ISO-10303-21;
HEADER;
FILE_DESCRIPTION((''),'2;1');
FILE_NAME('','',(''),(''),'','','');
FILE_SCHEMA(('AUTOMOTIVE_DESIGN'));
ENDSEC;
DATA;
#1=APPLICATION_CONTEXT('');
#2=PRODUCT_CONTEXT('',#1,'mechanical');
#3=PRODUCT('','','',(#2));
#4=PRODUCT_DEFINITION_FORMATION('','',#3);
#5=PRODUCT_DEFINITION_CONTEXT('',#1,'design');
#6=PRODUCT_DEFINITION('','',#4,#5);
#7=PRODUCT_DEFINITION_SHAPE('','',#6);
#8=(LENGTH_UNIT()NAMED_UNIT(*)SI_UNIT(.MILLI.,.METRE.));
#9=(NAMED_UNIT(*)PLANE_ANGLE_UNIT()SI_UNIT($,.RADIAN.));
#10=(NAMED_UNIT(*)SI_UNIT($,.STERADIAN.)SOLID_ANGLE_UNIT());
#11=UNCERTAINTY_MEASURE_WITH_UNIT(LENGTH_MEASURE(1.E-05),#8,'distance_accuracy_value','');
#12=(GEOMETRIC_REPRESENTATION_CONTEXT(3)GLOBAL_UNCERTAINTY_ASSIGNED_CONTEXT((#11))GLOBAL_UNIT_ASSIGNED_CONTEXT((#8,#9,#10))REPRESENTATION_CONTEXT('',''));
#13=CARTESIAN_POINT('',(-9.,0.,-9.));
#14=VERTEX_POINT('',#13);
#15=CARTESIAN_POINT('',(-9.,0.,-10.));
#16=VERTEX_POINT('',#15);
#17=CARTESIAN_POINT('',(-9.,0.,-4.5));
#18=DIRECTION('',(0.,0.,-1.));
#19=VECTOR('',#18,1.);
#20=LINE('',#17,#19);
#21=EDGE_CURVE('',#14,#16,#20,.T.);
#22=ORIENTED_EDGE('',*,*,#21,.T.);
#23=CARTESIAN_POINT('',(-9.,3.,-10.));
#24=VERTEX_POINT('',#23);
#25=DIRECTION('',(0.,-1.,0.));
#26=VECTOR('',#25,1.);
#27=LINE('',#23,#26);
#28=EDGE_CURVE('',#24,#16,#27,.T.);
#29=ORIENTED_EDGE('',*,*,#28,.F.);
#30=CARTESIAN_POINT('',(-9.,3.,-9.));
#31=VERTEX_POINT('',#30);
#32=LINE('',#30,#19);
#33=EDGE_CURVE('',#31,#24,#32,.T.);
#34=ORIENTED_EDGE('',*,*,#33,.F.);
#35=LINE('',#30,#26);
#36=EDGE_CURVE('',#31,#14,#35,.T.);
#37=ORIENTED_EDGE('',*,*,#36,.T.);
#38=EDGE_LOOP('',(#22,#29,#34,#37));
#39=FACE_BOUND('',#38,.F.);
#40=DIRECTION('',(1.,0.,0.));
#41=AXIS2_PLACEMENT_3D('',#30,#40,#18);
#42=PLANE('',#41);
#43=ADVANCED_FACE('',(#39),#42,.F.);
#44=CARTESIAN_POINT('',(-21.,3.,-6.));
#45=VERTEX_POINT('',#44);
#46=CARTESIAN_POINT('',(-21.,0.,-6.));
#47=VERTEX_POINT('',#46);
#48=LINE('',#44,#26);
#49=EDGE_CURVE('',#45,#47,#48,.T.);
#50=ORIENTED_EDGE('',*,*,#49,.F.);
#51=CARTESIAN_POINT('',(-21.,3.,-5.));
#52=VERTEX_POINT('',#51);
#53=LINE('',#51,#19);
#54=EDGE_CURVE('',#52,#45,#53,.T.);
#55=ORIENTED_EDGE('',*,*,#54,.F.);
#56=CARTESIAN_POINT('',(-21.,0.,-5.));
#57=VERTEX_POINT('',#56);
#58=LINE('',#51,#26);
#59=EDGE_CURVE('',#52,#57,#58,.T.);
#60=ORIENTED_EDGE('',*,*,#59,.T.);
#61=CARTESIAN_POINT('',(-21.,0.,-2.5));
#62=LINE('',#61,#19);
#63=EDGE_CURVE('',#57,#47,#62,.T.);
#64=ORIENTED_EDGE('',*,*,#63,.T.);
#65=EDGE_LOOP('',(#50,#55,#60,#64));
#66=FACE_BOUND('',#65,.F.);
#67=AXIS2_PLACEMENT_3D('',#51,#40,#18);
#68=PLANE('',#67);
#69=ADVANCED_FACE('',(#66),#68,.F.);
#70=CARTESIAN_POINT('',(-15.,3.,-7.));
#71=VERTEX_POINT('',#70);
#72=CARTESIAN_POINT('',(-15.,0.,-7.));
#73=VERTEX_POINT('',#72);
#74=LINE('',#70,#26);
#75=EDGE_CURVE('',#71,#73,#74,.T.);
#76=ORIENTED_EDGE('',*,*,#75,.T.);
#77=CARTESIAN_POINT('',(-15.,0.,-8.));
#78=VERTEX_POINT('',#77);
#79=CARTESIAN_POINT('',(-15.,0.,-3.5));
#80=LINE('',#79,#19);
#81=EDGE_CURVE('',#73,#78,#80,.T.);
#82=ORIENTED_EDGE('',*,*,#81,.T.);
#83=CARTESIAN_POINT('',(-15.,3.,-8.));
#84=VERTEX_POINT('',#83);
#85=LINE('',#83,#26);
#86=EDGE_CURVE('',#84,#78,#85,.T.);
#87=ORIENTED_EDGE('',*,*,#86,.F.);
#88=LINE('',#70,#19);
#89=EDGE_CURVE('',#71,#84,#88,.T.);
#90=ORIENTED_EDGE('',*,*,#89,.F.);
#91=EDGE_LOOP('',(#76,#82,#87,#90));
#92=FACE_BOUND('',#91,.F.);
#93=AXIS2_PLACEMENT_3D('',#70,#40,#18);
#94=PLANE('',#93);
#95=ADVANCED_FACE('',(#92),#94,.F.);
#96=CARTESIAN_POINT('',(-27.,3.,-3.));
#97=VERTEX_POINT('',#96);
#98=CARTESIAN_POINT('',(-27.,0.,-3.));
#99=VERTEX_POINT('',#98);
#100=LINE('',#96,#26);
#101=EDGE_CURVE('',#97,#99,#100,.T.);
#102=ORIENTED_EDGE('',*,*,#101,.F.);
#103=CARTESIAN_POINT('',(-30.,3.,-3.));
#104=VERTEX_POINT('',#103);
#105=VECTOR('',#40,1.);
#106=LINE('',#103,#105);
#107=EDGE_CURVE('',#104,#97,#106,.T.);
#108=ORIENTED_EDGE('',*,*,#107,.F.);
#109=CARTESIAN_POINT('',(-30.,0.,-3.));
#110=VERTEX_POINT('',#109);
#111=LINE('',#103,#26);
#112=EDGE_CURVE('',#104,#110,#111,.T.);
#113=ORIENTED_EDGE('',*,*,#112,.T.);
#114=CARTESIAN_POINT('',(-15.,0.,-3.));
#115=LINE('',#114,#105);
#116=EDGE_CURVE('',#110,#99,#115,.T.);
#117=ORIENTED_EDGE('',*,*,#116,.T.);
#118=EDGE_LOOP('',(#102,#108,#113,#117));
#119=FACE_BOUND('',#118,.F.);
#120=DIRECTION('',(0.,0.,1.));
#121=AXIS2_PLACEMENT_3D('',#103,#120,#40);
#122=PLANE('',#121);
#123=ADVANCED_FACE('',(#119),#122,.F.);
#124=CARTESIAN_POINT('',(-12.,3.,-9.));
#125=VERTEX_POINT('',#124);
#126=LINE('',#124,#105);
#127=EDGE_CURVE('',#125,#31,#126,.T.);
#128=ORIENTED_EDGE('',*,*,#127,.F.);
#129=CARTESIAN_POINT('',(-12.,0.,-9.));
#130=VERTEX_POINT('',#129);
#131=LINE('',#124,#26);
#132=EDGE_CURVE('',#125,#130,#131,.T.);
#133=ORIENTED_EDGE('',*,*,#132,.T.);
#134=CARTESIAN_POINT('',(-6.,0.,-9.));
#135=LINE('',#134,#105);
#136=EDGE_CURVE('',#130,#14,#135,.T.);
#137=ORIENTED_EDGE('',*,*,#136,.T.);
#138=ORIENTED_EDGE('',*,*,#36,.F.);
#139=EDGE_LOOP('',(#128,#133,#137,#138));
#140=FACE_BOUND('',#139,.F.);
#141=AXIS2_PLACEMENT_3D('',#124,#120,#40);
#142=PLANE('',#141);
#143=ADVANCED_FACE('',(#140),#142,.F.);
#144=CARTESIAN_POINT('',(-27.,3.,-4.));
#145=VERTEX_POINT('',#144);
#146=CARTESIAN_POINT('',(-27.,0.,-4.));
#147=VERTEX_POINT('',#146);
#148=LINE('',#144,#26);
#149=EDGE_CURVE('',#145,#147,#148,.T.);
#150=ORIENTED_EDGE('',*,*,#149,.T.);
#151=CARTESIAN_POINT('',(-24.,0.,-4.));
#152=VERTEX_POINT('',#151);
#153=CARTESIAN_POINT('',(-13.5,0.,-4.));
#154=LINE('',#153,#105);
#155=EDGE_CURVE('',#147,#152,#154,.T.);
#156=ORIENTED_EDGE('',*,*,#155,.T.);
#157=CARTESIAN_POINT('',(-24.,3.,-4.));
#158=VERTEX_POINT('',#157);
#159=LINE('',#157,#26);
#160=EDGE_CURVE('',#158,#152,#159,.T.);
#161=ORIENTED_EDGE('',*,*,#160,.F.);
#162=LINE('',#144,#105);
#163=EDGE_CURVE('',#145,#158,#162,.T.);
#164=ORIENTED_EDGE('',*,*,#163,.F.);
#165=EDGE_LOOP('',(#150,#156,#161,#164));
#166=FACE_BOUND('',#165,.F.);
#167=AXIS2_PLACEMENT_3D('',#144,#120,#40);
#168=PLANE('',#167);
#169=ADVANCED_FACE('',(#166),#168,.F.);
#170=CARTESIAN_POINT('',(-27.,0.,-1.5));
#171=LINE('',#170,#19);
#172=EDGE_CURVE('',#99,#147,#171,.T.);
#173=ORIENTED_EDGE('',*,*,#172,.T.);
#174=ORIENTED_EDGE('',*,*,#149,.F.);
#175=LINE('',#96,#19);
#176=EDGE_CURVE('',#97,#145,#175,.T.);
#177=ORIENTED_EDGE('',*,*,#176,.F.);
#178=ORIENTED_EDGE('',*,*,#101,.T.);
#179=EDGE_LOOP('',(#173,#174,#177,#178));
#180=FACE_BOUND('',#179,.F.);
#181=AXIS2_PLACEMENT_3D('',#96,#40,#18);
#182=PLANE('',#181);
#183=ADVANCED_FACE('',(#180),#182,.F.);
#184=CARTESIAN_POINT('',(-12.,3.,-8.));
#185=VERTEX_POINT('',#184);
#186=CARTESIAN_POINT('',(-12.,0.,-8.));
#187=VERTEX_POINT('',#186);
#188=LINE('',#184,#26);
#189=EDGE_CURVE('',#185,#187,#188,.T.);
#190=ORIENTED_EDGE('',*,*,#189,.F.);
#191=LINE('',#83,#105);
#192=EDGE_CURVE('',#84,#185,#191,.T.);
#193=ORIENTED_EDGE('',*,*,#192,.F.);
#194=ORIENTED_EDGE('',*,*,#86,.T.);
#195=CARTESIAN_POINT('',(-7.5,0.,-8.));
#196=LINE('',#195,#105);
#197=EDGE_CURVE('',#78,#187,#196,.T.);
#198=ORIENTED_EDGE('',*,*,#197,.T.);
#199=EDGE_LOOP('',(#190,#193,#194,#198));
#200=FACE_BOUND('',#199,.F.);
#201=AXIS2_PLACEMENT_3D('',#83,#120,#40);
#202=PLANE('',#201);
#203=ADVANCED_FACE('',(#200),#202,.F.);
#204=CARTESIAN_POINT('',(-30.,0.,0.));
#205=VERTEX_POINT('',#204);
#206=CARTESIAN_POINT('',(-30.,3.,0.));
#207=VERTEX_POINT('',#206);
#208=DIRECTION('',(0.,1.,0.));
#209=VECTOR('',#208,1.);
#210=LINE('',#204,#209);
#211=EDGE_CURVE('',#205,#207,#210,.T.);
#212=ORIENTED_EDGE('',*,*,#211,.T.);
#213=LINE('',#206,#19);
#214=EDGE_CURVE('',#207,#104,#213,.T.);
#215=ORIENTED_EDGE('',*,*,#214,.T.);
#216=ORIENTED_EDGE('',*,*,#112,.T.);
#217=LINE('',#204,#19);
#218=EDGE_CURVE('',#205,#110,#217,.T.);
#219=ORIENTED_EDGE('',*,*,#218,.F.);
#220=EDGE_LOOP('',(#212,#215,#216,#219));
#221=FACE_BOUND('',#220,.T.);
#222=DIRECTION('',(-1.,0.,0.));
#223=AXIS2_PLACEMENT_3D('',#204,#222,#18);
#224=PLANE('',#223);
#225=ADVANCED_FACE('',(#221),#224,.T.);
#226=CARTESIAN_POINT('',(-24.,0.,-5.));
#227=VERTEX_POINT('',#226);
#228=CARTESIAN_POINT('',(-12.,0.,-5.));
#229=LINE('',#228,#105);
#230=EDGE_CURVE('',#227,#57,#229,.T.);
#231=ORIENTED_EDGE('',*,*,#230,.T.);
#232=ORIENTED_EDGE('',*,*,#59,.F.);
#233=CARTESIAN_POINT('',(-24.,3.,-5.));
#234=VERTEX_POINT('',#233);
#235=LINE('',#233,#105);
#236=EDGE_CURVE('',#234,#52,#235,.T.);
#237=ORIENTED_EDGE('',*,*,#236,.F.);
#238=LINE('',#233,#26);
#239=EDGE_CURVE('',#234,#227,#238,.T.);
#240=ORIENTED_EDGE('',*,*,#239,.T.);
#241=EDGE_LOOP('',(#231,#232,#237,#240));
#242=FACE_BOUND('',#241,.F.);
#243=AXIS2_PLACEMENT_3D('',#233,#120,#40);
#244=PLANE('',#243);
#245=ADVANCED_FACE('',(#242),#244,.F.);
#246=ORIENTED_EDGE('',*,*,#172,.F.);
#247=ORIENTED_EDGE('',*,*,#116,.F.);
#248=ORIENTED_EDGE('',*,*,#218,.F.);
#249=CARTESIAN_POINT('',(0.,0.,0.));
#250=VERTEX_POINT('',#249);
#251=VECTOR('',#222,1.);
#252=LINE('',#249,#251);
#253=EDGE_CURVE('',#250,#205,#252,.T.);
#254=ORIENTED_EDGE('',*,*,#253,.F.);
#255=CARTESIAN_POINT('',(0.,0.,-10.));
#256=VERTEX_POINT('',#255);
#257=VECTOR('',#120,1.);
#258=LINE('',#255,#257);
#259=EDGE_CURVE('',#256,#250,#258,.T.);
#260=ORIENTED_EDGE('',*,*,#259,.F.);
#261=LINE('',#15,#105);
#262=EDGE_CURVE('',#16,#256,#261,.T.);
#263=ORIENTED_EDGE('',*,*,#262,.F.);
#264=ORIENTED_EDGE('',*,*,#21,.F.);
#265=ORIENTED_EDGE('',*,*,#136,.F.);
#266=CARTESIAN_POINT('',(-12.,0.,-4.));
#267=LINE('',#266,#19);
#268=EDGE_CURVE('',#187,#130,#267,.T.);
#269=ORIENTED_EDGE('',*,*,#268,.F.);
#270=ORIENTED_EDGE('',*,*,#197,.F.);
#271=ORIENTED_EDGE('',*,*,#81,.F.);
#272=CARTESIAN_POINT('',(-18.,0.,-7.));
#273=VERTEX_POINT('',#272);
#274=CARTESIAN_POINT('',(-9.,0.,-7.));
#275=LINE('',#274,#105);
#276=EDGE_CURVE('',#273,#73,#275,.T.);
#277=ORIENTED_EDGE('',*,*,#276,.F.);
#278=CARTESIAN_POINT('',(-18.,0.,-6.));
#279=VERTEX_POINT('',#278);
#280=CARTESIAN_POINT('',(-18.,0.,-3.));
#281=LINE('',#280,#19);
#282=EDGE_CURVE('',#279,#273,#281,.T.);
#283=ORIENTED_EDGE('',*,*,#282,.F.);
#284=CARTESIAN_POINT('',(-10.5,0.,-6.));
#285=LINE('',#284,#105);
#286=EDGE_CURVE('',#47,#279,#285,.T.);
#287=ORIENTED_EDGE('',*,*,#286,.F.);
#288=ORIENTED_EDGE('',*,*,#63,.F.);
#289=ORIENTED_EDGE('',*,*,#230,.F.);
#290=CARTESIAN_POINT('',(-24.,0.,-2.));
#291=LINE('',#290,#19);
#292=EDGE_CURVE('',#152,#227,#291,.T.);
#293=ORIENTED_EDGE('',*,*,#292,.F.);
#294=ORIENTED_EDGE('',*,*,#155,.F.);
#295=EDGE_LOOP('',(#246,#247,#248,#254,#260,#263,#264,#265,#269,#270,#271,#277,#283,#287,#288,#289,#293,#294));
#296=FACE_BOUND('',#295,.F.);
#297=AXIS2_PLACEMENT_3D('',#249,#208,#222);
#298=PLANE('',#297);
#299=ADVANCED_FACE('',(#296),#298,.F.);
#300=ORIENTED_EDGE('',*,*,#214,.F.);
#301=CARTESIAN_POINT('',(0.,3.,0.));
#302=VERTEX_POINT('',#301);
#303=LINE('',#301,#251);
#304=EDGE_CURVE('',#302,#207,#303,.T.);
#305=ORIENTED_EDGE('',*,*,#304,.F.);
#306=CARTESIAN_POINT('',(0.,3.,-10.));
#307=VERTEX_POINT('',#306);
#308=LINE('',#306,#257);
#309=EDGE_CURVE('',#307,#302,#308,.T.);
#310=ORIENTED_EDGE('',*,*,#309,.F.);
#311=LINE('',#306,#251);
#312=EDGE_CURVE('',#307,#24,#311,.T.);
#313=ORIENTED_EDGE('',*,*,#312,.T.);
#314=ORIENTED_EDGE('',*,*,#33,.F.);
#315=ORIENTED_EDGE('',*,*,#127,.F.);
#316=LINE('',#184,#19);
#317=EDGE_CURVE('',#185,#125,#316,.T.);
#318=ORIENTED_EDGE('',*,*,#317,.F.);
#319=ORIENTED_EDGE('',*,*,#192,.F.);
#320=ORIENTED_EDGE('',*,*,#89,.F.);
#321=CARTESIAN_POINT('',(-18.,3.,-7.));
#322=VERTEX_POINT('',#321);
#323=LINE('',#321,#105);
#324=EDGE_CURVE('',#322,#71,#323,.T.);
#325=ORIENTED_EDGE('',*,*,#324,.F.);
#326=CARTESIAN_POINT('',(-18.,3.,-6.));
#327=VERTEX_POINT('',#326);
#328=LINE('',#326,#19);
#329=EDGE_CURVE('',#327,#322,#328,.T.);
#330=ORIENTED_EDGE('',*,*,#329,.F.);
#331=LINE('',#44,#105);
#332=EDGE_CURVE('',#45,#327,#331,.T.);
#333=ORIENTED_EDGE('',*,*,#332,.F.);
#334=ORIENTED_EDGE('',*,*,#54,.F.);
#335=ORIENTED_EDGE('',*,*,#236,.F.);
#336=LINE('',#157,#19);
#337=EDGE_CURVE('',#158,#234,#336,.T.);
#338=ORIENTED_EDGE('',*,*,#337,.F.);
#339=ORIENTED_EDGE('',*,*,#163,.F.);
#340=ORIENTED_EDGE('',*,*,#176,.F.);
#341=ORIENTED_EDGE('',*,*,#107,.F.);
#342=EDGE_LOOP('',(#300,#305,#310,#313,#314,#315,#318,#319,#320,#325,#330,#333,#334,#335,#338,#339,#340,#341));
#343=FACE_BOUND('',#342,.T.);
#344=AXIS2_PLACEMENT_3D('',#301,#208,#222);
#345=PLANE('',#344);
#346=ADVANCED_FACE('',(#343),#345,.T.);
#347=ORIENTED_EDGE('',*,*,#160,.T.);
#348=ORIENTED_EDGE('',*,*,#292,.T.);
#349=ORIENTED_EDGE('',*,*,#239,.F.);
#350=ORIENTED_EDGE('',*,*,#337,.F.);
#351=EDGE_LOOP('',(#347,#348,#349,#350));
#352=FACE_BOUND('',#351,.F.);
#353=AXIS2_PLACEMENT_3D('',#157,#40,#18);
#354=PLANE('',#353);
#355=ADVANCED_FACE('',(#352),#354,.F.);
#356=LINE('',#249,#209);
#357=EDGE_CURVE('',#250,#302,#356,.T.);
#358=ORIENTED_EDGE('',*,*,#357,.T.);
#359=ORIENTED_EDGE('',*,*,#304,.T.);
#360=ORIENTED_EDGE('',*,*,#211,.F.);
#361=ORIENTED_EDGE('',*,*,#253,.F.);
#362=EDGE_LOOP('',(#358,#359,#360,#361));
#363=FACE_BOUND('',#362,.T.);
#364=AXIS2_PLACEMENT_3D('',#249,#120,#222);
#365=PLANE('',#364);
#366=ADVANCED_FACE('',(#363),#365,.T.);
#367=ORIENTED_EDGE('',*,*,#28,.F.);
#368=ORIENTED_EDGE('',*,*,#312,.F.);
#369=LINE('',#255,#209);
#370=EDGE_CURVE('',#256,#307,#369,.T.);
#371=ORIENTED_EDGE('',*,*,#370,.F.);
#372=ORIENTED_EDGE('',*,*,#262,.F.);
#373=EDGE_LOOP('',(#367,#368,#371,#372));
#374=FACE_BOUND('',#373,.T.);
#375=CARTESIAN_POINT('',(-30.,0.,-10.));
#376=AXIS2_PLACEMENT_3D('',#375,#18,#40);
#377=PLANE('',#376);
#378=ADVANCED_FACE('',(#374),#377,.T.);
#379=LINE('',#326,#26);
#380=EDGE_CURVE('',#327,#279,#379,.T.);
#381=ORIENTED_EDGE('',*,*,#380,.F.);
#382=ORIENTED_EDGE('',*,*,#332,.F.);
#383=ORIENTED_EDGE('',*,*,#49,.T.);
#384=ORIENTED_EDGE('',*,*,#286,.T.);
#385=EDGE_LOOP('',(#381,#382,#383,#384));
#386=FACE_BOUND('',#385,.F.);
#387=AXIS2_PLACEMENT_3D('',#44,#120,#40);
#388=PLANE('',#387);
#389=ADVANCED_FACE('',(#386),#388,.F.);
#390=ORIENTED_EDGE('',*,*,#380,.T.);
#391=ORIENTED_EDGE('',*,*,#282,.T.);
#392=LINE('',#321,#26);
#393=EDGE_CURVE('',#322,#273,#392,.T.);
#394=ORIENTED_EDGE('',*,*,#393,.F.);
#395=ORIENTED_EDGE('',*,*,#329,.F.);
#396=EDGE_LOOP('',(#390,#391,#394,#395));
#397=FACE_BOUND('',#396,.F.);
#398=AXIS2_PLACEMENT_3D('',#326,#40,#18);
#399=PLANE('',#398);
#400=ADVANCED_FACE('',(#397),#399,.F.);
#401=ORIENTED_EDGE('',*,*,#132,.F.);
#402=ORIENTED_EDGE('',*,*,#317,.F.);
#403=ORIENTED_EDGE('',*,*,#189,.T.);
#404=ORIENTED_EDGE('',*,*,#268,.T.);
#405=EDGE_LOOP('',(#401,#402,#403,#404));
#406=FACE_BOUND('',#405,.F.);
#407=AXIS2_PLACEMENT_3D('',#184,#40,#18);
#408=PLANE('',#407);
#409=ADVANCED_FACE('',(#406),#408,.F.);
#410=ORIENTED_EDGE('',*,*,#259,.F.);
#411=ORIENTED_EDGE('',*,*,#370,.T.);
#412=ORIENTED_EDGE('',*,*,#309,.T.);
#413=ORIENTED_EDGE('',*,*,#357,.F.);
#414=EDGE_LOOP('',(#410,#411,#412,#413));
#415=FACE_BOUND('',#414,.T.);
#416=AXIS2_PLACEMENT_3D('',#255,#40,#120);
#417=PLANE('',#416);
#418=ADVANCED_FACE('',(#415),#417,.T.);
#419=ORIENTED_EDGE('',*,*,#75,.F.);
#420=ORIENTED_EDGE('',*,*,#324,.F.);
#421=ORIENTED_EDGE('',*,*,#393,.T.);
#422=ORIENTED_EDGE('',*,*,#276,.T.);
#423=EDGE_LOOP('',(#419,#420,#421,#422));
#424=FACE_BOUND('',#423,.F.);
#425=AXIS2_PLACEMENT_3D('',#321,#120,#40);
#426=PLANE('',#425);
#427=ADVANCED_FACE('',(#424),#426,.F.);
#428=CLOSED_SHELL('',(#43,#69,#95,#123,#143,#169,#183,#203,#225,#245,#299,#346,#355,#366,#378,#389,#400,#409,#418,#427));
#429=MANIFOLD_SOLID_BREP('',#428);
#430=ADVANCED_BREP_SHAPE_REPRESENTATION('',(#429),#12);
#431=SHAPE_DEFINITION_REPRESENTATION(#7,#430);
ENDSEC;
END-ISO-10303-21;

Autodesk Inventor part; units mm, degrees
ref_plane "YZ Plane" through (0, 0, 0) normal (1, 0, 0) x (0, 1, 0)
ref_plane "XZ Plane" through (0, 0, 0) normal (0, 1, 0) x (-1, 0, 0)
ref_plane "XY Plane" through (0, 0, 0) normal (0, 0, 1) x (1, 0, 0)
sketch "Sketch1" plane through (0, 0, 0) normal (0, 1, 0) x (-1, 0, 0)
  line L0 (0, 0) -> (30, 0)
  line L1 (30, 0) -> (30, -10)
  line L2 (30, -10) -> (0, -10)
  line L3 (0, -10) -> (0, 0)
  dimension "d0" = 30
  dimension "d1" = 10
extrude "Extrusion1" add sketch "Sketch1" along normal blind 3
sketch "Sketch2" plane through (0, 3, 0) normal (0, 1, 0) x (1, 0, 0)
  line L0 (-30, 3) -> (-27, 3)
  line L1 (-27, 3) -> (-27, 4)
  line L2 (-27, 4) -> (-24, 4)
  line L3 (-24, 4) -> (-24, 5)
  line L4 (-24, 5) -> (-21, 5)
  line L5 (-21, 5) -> (-21, 6)
  line L6 (-21, 6) -> (-18, 6)
  line L7 (-18, 6) -> (-18, 7)
  line L8 (-18, 7) -> (-15, 7)
  line L9 (-15, 7) -> (-15, 8)
  line L10 (-15, 8) -> (-12, 8)
  line L11 (-12, 8) -> (-12, 9)
  line L12 (-12, 9) -> (-9, 9)
  line L13 (-9, 9) -> (-9, 10)
  line L14 (-9, 10) -> (-1.5529, 10)
  line L15 (-1.5529, 10) -> (-1.5529, 20)
  line L16 (-1.5529, 20) -> (-30, 20)
  line L17 (-30, 20) -> (-30, 3)
  line L18 (-30, 0) -> (0, 0) projected
  line L19 (-30, 10) -> (-30, 0) projected
  dimension "d4" = 3
  dimension "d5" = 3
  dimension "d6" = 3
  dimension "d7" = 3
  dimension "d8" = 3
  dimension "d9" = 3
  dimension "d10" = 1
  dimension "d11" = 1
  dimension "d12" = 1
  dimension "d13" = 1
  dimension "d14" = 1
  dimension "d15" = 1
  dimension "d16" = 3
  dimension "d17" = 1
  dimension "d18" = 3
  dimension "d19" = 10
  dimension "d20" = 28.4471
extrude "Extrusion2" cut sketch "Sketch2" against normal through all
properties part number "TRUC"
